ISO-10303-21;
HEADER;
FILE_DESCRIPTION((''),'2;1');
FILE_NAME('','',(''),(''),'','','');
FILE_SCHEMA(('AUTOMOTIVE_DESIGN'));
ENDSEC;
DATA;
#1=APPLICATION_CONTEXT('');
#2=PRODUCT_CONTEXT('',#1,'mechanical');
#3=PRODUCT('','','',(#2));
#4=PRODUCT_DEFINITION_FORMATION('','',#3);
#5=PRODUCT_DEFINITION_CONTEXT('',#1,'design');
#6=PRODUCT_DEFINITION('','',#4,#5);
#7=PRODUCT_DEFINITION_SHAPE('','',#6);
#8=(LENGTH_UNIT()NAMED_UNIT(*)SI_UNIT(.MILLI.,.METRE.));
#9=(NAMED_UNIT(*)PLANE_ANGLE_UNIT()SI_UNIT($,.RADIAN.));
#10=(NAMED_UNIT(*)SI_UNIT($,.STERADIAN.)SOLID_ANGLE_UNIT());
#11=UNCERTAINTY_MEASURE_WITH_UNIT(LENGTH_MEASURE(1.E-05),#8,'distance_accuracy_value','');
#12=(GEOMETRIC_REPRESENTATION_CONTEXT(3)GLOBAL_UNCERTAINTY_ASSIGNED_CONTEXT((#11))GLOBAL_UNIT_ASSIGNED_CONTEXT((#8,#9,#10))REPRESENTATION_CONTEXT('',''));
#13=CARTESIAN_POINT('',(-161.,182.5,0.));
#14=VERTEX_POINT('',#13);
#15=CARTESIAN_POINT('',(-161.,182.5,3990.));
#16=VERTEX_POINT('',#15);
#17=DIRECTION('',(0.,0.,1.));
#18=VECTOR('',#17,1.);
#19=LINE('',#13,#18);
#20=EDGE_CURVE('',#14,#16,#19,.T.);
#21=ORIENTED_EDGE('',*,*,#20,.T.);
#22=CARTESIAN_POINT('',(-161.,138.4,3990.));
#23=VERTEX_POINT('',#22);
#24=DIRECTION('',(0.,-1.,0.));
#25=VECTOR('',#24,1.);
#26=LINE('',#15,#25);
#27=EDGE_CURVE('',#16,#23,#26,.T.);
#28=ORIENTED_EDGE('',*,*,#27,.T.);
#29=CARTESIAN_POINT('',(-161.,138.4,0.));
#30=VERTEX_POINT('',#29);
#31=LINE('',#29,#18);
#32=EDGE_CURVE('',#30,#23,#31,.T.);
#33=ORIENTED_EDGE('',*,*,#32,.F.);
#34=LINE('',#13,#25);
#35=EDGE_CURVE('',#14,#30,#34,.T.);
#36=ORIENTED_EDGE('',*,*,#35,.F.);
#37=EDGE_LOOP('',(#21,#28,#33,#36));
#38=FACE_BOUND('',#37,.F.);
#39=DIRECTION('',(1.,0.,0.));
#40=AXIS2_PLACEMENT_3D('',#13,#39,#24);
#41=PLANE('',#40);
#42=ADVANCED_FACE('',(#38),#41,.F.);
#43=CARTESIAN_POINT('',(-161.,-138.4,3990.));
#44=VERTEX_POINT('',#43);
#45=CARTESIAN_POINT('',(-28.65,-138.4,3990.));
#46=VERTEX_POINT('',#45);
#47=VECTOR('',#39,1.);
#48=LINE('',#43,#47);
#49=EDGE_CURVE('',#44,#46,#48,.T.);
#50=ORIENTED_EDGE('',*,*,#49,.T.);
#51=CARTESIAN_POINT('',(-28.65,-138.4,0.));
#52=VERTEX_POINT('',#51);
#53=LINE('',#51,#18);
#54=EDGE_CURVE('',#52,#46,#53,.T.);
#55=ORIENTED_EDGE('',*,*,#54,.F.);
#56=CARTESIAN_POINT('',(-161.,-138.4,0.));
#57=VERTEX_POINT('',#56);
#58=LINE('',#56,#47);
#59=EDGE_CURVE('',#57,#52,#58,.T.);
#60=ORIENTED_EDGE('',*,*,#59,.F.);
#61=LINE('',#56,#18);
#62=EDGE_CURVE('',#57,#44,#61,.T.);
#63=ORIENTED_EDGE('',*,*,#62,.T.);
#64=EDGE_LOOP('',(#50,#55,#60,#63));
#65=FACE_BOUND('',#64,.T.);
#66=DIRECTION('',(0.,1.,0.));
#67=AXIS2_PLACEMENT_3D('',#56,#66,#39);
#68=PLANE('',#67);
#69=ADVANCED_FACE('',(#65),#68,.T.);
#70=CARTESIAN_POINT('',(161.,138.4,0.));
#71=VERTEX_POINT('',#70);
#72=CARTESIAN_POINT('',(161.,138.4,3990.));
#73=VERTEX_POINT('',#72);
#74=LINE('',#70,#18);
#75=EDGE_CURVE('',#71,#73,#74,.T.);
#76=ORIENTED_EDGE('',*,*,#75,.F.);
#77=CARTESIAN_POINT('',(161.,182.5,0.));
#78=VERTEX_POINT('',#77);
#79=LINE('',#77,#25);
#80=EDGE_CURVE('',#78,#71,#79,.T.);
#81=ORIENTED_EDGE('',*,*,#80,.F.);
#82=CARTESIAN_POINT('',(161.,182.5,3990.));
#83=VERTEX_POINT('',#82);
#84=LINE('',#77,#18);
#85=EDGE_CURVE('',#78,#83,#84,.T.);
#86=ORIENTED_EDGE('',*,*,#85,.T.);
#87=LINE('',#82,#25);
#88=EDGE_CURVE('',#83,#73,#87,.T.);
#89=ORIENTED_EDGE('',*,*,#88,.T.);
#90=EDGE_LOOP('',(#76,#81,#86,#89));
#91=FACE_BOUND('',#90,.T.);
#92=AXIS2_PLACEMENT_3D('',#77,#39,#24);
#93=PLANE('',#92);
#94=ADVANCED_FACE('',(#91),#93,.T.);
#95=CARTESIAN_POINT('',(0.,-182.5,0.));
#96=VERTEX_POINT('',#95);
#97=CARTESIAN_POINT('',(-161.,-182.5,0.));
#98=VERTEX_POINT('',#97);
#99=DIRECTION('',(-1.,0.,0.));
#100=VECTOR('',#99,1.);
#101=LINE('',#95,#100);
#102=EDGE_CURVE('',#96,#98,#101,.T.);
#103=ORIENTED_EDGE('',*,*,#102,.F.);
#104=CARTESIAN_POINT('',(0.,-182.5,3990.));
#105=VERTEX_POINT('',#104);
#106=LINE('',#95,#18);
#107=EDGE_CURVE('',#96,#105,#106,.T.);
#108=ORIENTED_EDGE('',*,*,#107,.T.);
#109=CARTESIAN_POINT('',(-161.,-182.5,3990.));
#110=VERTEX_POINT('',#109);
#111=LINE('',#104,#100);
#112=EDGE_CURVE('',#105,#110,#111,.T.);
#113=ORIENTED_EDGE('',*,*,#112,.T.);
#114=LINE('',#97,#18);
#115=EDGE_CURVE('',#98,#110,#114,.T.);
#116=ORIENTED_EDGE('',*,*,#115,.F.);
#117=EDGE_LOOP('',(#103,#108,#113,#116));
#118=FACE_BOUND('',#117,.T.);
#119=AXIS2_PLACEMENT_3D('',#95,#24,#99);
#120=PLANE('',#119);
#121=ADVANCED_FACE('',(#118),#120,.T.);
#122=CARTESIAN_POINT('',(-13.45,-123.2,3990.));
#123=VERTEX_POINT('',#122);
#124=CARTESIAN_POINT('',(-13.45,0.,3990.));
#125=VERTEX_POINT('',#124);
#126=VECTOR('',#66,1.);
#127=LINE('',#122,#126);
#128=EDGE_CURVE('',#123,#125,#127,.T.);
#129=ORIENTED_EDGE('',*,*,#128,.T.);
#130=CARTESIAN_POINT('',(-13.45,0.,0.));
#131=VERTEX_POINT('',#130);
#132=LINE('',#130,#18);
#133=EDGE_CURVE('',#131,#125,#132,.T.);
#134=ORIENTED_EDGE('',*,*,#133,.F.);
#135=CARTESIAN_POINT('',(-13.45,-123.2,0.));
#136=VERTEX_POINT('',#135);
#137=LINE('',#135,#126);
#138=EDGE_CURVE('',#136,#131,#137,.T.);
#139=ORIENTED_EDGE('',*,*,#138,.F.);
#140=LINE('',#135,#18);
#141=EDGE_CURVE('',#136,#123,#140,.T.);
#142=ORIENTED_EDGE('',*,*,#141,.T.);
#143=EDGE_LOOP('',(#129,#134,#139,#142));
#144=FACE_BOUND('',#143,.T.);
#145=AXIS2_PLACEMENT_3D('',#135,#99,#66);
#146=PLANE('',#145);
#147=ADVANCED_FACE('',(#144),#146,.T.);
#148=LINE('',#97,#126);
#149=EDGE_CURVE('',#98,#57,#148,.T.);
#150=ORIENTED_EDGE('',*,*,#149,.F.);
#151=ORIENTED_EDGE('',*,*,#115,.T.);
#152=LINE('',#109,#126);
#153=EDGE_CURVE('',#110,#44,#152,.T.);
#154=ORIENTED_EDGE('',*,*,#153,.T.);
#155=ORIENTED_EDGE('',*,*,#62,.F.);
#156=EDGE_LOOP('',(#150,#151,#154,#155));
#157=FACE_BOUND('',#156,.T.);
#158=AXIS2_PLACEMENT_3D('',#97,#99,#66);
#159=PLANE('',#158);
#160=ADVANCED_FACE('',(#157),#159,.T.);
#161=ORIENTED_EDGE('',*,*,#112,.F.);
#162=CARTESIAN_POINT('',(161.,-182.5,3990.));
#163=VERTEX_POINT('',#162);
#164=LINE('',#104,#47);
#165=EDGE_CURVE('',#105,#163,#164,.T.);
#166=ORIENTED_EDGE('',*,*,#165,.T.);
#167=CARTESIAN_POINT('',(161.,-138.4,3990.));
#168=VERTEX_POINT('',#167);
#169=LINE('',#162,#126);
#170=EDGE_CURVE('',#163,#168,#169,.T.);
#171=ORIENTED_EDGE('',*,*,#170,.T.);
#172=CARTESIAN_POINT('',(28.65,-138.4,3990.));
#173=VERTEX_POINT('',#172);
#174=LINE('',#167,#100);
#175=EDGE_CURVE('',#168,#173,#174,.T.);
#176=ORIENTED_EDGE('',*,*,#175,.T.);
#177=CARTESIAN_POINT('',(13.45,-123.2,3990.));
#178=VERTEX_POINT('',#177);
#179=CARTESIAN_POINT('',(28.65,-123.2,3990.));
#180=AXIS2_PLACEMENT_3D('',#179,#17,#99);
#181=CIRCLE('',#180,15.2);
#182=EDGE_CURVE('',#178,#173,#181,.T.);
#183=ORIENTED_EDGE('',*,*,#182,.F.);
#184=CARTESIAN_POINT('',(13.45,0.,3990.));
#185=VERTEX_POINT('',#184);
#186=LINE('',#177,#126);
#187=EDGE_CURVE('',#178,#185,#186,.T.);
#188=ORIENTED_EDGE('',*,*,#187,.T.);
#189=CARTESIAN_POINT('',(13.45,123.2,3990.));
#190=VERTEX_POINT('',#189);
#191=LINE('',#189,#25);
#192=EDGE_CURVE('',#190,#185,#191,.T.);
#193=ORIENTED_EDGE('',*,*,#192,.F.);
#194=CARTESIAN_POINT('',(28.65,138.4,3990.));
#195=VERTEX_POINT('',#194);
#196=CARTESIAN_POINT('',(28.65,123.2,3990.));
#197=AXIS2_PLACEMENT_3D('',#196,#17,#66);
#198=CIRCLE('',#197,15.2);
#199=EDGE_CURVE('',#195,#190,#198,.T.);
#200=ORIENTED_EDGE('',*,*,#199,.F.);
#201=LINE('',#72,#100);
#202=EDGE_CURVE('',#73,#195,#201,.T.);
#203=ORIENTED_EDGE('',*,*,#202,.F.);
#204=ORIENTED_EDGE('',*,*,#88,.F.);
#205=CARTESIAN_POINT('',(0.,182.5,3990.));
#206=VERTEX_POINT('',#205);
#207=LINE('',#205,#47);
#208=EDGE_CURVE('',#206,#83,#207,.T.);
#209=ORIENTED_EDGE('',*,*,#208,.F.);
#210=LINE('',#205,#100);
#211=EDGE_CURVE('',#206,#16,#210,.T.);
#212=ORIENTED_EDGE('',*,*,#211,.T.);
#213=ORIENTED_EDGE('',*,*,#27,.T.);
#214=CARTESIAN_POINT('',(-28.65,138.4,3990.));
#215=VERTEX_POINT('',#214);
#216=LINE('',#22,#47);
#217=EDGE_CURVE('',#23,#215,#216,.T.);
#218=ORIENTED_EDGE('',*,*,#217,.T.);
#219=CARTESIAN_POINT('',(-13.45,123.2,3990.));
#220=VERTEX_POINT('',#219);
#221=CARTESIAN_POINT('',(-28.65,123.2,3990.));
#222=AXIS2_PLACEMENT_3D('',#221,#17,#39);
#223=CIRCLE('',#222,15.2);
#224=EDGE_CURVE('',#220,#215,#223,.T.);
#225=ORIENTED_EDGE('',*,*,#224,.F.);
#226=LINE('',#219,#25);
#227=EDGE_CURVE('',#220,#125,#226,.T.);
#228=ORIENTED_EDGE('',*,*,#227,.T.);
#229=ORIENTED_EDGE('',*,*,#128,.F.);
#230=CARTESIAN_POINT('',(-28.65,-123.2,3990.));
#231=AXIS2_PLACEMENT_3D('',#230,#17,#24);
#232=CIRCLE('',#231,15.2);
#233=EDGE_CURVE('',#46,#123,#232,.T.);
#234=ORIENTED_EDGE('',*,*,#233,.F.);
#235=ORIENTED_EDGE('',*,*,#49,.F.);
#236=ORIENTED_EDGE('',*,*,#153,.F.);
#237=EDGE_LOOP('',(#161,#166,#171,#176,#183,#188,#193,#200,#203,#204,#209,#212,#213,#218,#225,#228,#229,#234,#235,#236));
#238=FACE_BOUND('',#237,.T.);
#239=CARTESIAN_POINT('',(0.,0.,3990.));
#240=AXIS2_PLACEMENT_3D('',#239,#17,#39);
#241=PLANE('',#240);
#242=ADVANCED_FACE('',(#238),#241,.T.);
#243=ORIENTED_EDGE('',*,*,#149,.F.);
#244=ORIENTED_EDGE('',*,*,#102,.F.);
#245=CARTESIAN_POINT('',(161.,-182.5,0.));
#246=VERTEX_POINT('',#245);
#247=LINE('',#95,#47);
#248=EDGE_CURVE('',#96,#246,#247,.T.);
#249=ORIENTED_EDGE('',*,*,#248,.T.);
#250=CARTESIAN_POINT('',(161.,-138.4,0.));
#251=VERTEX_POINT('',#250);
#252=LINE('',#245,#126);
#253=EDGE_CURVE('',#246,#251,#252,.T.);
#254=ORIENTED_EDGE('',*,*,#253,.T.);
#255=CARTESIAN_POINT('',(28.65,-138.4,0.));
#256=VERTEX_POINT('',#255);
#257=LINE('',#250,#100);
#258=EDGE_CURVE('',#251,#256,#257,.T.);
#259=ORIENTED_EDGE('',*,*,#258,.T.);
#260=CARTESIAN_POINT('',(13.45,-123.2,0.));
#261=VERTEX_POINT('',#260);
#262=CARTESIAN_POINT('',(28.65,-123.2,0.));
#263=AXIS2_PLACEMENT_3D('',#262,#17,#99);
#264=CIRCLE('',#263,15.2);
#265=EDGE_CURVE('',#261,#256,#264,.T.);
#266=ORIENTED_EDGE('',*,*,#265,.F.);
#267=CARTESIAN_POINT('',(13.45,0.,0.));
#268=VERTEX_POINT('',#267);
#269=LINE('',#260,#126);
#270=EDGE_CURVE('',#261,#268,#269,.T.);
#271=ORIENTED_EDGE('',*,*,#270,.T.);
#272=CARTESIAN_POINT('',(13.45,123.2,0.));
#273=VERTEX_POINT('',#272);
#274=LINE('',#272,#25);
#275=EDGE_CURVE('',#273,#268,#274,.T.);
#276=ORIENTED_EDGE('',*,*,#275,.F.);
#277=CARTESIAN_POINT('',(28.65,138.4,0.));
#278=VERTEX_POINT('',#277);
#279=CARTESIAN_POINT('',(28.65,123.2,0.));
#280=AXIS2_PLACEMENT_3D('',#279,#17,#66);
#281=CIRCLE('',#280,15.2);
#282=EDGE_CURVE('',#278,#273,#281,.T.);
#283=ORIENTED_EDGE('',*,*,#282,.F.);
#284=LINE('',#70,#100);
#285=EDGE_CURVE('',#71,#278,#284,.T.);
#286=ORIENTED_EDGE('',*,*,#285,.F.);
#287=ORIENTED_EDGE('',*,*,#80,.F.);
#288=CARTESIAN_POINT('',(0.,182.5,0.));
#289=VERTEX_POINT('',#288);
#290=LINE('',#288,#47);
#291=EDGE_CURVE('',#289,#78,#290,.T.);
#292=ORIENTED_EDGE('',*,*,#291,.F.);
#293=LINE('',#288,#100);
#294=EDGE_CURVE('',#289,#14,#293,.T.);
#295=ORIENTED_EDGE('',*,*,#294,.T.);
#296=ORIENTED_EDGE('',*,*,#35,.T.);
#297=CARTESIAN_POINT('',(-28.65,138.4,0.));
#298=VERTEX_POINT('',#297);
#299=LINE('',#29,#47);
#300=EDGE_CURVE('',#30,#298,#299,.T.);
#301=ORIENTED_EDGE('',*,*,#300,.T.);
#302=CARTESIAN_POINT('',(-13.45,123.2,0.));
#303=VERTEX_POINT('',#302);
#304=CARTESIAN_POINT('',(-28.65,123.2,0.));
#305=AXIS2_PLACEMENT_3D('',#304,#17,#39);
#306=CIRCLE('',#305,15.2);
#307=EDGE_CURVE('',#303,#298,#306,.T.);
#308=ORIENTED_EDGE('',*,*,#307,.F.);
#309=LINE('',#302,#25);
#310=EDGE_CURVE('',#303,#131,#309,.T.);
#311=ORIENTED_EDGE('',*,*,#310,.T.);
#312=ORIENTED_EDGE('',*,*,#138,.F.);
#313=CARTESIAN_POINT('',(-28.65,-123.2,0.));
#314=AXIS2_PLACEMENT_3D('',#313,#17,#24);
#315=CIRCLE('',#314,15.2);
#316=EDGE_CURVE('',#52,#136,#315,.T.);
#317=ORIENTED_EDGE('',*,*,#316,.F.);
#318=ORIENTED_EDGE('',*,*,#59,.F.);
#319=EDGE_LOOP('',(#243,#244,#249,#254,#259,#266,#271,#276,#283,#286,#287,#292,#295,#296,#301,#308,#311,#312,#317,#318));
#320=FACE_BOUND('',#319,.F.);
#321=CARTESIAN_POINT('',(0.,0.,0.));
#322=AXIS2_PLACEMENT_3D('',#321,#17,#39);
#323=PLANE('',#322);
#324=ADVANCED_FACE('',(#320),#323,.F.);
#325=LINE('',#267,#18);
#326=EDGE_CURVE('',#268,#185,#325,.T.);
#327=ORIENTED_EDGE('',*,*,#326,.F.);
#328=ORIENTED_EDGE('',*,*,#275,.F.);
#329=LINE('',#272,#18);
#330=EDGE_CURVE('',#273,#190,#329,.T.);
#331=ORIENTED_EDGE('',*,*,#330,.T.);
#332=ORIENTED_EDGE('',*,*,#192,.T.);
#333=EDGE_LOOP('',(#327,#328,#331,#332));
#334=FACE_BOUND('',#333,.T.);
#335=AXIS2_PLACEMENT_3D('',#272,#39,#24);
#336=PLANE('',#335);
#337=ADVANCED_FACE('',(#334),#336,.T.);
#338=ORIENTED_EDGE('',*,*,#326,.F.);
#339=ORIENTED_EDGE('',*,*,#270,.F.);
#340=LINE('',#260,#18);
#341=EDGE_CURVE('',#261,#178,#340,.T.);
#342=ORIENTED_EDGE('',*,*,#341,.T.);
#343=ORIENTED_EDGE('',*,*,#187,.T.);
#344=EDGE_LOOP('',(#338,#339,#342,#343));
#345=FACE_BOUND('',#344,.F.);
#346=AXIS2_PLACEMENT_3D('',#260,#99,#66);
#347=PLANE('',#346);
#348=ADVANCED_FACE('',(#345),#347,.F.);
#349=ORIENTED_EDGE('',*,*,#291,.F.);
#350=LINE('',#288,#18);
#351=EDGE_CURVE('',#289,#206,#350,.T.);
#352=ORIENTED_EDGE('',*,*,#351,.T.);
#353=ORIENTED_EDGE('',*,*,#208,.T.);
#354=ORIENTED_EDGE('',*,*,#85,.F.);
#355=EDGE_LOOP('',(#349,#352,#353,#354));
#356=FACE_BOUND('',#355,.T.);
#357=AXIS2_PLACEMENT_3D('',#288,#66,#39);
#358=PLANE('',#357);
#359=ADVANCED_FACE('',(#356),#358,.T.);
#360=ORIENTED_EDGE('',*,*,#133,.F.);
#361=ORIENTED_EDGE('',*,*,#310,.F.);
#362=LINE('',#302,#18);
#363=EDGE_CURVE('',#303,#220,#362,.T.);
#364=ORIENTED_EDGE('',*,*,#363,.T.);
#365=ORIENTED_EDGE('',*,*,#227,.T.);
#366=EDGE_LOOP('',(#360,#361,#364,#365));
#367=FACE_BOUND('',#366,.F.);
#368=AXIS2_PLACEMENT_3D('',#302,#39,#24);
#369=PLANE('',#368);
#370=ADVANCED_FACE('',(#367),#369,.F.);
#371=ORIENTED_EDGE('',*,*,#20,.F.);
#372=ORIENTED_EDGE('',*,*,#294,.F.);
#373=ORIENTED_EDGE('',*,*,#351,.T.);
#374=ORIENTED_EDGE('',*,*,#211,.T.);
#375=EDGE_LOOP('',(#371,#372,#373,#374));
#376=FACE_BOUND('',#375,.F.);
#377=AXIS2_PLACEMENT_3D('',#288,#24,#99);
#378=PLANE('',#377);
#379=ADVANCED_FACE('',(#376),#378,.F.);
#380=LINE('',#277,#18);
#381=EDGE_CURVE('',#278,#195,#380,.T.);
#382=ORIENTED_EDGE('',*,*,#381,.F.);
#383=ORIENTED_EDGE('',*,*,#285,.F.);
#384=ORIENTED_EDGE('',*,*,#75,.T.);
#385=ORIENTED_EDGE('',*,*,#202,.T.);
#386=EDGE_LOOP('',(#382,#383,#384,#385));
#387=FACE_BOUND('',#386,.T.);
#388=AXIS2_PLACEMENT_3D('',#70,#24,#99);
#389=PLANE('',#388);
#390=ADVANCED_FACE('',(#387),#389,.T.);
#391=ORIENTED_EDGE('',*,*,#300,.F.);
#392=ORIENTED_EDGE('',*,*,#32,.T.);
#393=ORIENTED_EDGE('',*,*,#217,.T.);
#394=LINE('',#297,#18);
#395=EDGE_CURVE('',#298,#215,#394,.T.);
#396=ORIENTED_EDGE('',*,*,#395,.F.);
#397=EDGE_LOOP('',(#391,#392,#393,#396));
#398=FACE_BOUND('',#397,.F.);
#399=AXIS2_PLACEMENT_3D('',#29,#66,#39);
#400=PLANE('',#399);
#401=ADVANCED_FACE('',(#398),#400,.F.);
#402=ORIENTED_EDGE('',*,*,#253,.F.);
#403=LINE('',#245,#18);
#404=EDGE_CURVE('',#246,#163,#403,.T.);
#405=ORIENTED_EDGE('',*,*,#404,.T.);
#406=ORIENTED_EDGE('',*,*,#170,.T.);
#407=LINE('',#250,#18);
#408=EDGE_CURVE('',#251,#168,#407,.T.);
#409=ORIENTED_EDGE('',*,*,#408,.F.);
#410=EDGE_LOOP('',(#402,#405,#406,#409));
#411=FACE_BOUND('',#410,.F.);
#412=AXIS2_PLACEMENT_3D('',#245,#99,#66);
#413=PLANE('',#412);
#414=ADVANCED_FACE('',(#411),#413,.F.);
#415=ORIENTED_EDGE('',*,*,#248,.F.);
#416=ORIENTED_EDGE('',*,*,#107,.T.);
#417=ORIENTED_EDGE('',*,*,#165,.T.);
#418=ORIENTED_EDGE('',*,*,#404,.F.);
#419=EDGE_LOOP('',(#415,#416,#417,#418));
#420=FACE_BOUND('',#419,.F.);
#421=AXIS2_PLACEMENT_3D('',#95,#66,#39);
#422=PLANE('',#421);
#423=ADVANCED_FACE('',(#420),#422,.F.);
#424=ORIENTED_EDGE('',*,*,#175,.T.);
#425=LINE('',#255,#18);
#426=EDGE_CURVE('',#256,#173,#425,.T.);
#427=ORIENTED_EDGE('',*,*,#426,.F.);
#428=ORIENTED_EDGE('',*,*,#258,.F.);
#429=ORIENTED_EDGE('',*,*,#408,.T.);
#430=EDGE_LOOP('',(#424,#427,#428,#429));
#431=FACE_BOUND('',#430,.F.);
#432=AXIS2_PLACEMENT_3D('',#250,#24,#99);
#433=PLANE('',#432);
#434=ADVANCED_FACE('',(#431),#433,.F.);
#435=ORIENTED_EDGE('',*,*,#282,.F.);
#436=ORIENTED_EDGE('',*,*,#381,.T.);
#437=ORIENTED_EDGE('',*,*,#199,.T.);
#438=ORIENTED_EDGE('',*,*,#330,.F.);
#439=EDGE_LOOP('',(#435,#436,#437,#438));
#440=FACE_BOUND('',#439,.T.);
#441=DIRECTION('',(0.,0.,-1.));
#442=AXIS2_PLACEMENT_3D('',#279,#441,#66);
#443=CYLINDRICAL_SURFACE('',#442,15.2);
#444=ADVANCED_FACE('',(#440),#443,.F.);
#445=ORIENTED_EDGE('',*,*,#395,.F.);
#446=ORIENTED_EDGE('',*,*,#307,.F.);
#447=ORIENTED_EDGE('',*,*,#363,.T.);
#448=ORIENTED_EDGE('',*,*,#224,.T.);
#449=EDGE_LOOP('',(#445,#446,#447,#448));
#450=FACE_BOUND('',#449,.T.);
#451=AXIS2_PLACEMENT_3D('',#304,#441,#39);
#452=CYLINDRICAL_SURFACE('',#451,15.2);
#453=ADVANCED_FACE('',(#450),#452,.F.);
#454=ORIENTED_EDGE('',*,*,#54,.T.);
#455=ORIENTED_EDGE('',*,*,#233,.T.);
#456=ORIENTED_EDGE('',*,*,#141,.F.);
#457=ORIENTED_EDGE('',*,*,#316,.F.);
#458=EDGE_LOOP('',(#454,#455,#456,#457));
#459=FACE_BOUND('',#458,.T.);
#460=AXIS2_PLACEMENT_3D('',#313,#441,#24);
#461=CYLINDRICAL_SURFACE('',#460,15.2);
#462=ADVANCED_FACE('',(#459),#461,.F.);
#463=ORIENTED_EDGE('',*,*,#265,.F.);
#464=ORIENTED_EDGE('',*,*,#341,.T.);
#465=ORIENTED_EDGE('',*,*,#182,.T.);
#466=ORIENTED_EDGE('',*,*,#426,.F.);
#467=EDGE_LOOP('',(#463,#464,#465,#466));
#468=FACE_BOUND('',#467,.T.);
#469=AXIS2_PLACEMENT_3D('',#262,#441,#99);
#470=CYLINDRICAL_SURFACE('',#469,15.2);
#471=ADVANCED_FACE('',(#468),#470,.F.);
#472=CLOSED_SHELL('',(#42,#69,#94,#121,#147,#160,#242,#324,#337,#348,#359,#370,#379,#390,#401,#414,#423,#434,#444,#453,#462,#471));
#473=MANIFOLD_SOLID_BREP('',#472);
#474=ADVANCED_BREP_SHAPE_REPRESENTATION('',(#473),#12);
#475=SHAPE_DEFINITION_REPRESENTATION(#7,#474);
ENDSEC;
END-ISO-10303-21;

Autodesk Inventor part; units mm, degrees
ref_plane "YZ Plane" through (0, 0, 0) normal (1, 0, 0) x (0, 1, 0)
ref_plane "Start plane" through (0, 0, 0) normal (0, 0, 1) x (1, 0, 0)
ref_plane "End plane" through (0, 0, 3990) normal (0, 0, 1) x (1, 0, 0)
sketch "Sketch" plane through (0, 0, 0) normal (0, 0, 1) x (1, 0, 0)
  line L0 (-161, -182.5) -> (-161, -138.4)
  line L1 (-161, -138.4) -> (-28.65, -138.4)
  line L2 (-13.45, -123.2) -> (-13.45, 0)
  line L3 (-13.45, 0) -> (0, 0) construction
  line L4 (0, 0) -> (0, -182.5) construction
  line L5 (0, -182.5) -> (-161, -182.5)
  line L6 (-60, 0) -> (80, 0) construction
  line L7 (0, -60) -> (0, 80) construction
  line L8 (161, -182.5) -> (161, -138.4)
  line L9 (161, -138.4) -> (28.65, -138.4)
  line L10 (13.45, -123.2) -> (13.45, 0)
  line L11 (13.45, 0) -> (0, 0) construction
  line L12 (0, -182.5) -> (161, -182.5)
  line L13 (-161, 182.5) -> (-161, 138.4)
  line L14 (-161, 138.4) -> (-28.65, 138.4)
  line L15 (-13.45, 123.2) -> (-13.45, 0)
  line L16 (0, 182.5) -> (-161, 182.5)
  line L17 (161, 182.5) -> (161, 138.4)
  line L18 (161, 138.4) -> (28.65, 138.4)
  line L19 (0, 182.5) -> (161, 182.5)
  line L20 (13.45, 123.2) -> (13.45, 0)
  arc A0 (-13.45, 123.2) -> (-28.65, 138.4) centre (-28.65, 123.2) ccw
  arc A1 (28.65, 138.4) -> (13.45, 123.2) centre (28.65, 123.2) ccw
  arc A2 (13.45, -123.2) -> (28.65, -138.4) centre (28.65, -123.2) ccw
  arc A3 (-28.65, -138.4) -> (-13.45, -123.2) centre (-28.65, -123.2) ccw
  line L21 (0, 108) -> (0, -88) construction
  line L22 (-88, 0) -> (108, 0) construction
  point P0 (-13.45, -138.4)
  point P1 (13.45, -138.4)
  point P2 (-13.45, 138.4)
  point P3 (13.45, 138.4)
  dimension "d1" = 182.5
  dimension "d2" = 44.1
  dimension "d3" = 161
  dimension "d4" = 13.45
  dimension "d10" = 15.2
extrude "Body" add sketch "Sketch" along normal up to surface (3990 mm away) from surface at 0
sketch "Sketch4" plane through (0, 0, 0) normal (0, 0, 1) x (1, 0, 0)
  line L0 (0, 0) -> (10, 0)
ref_plane "Work Plane3" through (0, 0, 0) normal (0, -1, 0) x (1, 0, 0)
sketch "Sketch5" plane through (0, 0, 0) normal (0, -1, 0) x (1, 0, 0)
  line L0 (-2, 0) -> (12, 0) projected
  line L1 (-2, 3990) -> (12, 3990) projected
  dimension "d14" = 3990
equation "\"d1\" = 0.5 * G_H"
equation "\"d2\" = G_T1"
equation "\"d3\" = 0.5 * G_W"
equation "\"d4\" = 0.5 * G_T"
equation "\"d10\" = G_IR"
equation "\"d5\" = G_L"
equation "\"G_W\" = 322"
equation "\"G_H\" = 365"
equation "\"G_T\" = 26.9"
equation "\"G_T1\" = 44.1"
equation "\"G_IR\" = 15.2"
equation "\"G_L\" = d14"
equation "\"G_OFFSET_START\" = 0"
equation "\"G_OFFSET_END\" = 0"
properties part number "AS 3679 - 310 UC - 283 - 3990" material "Steel, Mild"
